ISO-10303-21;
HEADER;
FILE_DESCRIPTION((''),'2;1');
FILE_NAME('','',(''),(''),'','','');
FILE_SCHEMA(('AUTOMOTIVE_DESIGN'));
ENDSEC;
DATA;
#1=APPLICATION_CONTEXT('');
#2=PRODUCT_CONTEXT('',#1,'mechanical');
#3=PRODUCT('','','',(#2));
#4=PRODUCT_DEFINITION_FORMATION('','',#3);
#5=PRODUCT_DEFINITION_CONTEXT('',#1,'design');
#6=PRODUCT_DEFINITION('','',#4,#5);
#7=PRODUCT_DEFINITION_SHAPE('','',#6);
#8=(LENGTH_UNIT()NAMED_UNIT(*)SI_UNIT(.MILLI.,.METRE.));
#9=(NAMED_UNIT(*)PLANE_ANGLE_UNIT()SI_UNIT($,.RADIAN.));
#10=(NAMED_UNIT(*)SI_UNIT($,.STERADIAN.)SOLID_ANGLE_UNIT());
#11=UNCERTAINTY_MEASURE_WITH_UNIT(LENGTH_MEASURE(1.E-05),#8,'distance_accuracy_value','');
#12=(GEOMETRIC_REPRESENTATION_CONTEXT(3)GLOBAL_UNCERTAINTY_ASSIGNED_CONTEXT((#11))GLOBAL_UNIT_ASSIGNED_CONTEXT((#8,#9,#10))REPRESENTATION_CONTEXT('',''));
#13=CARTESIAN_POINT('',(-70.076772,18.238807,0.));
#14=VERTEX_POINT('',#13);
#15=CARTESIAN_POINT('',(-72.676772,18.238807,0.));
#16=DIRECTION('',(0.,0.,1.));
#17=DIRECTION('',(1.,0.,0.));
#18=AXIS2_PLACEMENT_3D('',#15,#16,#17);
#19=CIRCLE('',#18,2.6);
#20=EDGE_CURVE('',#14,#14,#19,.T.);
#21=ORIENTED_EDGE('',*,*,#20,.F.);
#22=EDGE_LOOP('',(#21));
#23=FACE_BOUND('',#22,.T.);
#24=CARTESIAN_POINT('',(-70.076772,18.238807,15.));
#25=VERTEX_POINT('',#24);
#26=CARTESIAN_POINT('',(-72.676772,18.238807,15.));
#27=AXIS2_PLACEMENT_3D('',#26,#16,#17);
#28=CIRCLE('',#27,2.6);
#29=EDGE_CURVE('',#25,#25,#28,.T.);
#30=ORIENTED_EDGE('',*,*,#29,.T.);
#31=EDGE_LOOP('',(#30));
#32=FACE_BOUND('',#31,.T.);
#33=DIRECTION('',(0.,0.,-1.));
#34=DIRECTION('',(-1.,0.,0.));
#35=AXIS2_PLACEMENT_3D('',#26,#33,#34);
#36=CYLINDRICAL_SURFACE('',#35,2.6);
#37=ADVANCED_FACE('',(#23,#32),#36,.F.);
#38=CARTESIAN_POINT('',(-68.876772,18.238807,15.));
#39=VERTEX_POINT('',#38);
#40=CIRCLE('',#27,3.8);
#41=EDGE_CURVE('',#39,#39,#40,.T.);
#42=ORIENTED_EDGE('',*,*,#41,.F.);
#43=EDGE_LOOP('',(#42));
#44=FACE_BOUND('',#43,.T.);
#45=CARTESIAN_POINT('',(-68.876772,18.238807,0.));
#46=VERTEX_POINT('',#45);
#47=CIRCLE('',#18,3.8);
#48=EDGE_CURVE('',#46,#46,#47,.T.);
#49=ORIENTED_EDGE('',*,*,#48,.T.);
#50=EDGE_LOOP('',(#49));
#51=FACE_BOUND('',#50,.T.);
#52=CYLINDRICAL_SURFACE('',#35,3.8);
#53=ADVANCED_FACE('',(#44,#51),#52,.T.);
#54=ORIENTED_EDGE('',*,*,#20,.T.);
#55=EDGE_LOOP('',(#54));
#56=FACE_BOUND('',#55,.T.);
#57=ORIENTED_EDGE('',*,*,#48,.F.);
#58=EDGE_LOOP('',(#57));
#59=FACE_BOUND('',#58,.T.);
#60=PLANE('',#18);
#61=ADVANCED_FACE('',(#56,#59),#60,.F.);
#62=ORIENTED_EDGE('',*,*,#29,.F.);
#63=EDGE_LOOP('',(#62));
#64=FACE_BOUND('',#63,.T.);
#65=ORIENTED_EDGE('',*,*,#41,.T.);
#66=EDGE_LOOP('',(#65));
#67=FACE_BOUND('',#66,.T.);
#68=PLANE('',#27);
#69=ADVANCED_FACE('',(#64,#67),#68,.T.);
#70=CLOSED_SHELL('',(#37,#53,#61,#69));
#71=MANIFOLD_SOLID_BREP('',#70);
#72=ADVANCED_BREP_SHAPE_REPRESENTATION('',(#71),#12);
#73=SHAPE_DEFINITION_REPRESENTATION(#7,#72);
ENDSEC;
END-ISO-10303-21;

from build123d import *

# Parameters (mm, degrees)
CROQUIS1_R              = 3.8
CROQUIS1_R_2            = 2.6
SALIENTE_EXTRUIR1_DEPTH = 15


with BuildPart() as part:
    # Croquis1 → Saliente-Extruir1 (new body)
    with BuildSketch(Plane.XY):
        with Locations((-72.676772347, 18.238806853)):
            Circle(CROQUIS1_R)
        with Locations((-72.676772347, 18.238806853)):
            Circle(CROQUIS1_R_2, mode=Mode.SUBTRACT)
    extrude(amount=SALIENTE_EXTRUIR1_DEPTH)


solid = part.part
